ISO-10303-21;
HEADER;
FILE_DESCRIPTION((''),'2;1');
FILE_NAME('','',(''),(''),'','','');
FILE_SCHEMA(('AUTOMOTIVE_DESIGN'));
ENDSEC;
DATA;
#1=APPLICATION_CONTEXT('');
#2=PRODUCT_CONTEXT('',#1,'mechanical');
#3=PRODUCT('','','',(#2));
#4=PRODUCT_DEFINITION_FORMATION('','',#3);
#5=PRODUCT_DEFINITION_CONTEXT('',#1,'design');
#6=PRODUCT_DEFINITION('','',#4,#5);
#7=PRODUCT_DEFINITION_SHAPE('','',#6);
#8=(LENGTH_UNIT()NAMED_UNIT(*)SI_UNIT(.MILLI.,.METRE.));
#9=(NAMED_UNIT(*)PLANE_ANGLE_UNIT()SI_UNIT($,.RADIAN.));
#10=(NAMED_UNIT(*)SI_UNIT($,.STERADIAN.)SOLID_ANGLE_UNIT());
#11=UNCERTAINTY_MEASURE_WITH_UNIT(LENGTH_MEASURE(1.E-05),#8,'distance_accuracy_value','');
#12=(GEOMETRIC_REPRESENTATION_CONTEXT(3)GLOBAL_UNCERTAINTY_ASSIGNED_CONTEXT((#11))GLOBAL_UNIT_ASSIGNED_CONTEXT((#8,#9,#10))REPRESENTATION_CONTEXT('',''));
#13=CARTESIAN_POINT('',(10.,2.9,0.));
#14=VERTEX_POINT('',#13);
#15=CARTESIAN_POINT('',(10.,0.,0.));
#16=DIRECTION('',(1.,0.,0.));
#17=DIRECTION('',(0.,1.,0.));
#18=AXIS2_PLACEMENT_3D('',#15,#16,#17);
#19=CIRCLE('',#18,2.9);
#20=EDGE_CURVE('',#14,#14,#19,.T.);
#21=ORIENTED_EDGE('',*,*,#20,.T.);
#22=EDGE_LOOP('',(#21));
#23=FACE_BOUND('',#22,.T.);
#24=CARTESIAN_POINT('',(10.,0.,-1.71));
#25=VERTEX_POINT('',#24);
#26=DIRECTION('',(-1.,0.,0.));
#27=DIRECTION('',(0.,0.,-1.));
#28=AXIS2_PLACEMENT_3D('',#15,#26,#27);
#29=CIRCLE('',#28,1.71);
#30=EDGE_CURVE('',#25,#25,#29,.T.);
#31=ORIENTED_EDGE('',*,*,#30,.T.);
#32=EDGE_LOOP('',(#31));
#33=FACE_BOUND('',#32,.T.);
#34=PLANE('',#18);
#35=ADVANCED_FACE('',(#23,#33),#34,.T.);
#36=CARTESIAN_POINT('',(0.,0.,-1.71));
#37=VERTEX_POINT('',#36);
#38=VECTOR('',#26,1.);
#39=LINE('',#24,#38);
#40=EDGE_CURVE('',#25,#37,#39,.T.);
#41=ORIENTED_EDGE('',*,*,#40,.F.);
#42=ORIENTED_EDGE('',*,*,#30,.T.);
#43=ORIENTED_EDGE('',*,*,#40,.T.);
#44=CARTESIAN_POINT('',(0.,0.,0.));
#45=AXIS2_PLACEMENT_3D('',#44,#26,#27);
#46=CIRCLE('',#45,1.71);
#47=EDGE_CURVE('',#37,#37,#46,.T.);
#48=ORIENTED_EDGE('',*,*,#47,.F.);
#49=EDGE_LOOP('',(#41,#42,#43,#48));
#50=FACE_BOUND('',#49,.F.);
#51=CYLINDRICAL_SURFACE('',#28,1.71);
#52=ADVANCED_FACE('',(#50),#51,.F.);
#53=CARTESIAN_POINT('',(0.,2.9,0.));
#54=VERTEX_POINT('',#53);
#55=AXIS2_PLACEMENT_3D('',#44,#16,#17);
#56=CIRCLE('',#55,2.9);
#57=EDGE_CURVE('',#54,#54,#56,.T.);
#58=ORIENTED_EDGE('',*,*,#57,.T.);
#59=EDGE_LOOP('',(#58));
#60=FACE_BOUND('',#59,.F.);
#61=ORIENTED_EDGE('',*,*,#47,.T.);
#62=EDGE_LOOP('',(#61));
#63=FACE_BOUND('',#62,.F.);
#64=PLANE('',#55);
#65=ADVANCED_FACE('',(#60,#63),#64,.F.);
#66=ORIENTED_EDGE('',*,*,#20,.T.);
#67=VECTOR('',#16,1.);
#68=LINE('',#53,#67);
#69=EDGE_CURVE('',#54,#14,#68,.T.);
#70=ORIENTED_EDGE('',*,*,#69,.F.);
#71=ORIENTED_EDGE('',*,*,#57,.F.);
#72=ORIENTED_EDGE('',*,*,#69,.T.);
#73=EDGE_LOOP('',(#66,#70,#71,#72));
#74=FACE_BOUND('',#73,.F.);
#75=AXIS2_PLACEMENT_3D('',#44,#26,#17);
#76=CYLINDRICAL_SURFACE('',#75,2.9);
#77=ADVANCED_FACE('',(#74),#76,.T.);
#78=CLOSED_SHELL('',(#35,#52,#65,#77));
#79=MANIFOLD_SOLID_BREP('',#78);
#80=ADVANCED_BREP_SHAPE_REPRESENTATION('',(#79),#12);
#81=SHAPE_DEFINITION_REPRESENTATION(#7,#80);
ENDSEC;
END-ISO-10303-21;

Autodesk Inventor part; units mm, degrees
ref_plane "YZ Plane" through (0, 0, 0) normal (1, 0, 0) x (0, 1, 0)
ref_plane "XZ Plane" through (0, 0, 0) normal (0, 1, 0) x (-1, 0, 0)
ref_plane "XY Plane" through (0, 0, 0) normal (0, 0, 1) x (1, 0, 0)
sketch "Sketch1" plane through (0, 0, 0) normal (1, 0, 0) x (0, 1, 0)
  circle A0 centre (0, 0) radius 2.9
  dimension "d0" = 5.8
extrude "Extrusion1" add sketch "Sketch1" along normal blind 10
sketch "Sketch2" plane through (10, 0, 0) normal (1, 0, 0) x (0, 0, -1)
  point P0 (0, 0)
  point P1 (0, 0)
hole "Hole1" at (10, 0, 0) direction (-1, 0, 0) diameter 3.42 end through all
properties part number "rosca"
